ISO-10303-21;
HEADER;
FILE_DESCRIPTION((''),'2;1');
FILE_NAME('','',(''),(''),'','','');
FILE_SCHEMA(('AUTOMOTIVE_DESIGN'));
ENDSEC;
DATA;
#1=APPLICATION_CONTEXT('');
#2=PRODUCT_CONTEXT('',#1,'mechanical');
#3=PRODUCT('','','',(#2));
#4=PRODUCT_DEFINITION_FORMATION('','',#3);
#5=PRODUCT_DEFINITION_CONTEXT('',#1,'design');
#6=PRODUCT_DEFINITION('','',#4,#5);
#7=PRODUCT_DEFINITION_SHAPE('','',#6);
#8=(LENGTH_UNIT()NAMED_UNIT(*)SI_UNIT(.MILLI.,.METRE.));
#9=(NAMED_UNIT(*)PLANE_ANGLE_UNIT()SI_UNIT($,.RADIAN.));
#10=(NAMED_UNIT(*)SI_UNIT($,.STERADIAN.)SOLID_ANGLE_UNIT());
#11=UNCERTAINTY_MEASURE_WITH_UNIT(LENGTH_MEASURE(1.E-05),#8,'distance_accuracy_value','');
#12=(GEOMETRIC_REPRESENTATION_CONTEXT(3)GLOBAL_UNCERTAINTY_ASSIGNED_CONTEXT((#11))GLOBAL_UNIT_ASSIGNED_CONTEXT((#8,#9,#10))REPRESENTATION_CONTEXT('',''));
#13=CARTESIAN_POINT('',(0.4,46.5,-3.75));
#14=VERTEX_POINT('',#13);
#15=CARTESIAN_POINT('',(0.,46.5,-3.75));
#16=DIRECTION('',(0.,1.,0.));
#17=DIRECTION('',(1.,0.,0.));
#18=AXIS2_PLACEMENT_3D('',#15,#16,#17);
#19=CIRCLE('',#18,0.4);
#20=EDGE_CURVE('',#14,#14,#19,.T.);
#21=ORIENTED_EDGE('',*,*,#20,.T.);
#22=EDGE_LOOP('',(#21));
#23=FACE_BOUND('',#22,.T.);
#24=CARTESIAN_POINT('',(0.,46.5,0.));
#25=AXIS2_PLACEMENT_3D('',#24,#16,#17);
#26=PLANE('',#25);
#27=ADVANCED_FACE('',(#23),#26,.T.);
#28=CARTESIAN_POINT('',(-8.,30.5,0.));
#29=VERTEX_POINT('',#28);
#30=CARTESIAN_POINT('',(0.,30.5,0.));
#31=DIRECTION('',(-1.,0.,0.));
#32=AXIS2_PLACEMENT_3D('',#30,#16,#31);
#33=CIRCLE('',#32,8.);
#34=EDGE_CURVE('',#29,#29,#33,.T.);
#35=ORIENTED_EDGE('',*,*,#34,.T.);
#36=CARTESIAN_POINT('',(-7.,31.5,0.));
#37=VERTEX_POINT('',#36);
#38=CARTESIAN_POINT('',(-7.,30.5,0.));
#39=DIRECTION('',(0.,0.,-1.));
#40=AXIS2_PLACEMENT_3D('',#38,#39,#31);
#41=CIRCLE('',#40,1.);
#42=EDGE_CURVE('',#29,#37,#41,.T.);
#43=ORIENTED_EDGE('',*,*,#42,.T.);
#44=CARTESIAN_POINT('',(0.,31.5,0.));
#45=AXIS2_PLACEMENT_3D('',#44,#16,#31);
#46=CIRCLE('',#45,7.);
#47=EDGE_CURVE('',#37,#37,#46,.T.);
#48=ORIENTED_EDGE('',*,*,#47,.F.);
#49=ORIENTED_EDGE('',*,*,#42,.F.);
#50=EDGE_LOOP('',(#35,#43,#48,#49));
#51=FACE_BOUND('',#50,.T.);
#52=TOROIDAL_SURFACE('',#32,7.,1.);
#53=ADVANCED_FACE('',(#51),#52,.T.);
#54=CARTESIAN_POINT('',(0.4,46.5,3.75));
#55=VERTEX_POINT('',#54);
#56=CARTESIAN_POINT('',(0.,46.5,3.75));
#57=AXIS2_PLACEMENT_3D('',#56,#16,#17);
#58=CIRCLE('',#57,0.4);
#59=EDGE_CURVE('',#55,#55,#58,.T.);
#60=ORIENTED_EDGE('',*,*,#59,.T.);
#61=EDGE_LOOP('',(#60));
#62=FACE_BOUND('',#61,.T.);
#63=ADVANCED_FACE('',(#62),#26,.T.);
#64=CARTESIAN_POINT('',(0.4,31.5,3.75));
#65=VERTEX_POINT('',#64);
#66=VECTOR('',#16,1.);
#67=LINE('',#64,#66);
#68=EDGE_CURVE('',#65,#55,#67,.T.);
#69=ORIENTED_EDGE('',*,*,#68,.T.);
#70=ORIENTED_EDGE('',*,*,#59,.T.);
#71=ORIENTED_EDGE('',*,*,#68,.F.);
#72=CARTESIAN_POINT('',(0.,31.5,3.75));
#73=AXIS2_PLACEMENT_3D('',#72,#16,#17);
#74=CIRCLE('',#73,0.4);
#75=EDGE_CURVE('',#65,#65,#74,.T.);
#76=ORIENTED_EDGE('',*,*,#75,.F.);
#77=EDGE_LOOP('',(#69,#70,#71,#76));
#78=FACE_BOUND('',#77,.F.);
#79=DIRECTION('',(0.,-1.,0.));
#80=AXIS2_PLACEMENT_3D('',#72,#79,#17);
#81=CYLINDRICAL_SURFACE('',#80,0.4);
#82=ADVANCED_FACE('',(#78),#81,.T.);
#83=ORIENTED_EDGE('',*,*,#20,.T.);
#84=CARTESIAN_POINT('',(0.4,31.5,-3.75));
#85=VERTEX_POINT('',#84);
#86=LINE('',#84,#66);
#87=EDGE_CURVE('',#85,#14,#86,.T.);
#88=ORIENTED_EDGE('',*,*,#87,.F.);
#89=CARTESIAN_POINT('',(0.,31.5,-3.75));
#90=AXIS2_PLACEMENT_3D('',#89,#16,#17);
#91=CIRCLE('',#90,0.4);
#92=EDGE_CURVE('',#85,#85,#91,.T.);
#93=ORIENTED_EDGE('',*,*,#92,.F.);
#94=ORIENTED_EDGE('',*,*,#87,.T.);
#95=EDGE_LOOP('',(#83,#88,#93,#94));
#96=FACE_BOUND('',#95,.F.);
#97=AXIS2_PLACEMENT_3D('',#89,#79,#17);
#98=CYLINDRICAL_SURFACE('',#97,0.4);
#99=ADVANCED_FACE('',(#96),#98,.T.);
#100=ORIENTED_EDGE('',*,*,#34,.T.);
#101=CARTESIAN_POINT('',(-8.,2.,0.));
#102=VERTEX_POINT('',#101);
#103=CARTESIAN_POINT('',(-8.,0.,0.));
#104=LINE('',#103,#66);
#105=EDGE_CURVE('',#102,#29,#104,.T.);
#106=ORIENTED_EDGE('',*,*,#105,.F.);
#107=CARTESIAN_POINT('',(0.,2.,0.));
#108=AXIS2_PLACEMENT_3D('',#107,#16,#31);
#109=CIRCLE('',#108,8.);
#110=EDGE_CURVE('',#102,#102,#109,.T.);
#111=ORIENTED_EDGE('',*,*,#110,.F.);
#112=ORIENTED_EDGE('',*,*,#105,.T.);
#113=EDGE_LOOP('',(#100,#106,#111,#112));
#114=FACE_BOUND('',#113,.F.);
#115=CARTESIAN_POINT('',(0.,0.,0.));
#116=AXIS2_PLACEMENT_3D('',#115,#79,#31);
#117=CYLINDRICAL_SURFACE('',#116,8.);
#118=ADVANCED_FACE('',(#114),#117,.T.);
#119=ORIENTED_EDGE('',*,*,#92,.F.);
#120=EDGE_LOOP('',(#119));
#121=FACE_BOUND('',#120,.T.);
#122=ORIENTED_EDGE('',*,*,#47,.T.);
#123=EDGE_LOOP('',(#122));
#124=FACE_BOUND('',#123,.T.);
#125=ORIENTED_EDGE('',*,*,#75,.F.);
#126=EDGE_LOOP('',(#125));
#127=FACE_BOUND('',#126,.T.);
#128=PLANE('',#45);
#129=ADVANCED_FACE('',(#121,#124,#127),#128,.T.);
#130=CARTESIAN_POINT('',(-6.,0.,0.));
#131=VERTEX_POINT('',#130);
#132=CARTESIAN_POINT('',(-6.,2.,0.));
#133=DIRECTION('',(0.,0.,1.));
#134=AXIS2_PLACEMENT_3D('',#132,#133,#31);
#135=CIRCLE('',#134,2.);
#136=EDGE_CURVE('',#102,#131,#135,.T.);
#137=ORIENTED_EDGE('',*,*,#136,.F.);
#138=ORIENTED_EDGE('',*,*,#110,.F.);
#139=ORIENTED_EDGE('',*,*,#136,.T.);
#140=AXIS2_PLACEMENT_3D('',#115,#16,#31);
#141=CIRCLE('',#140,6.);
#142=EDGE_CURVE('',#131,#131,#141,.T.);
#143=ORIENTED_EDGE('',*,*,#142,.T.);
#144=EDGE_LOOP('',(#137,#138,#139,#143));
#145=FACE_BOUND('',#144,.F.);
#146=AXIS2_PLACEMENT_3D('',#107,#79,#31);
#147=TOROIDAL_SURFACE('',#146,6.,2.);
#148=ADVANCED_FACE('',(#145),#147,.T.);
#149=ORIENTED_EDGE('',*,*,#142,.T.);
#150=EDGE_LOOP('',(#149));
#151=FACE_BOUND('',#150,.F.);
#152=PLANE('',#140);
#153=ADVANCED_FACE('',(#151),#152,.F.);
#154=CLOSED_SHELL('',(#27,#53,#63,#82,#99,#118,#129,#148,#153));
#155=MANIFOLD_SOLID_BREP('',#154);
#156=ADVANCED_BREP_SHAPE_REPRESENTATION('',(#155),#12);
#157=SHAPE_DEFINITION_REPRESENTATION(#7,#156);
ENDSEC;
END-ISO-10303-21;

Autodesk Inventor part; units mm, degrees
ref_plane "YZ Plane" through (0, 0, 0) normal (1, 0, 0) x (0, 1, 0)
ref_plane "XZ Plane" through (0, 0, 0) normal (0, 1, 0) x (-1, 0, 0)
ref_plane "XY Plane" through (0, 0, 0) normal (0, 0, 1) x (1, 0, 0)
sketch "Sketch1" plane through (0, 0, 0) normal (0, 1, 0) x (-1, 0, 0)
  circle A0 centre (0, 0) radius 8
  dimension "d0" = 16
extrude "Extrusion1" add sketch "Sketch1" along normal blind 31.5
sketch "Sketch2" plane through (0, 31.5, 0) normal (0, 1, 0) x (1, 0, 0)
  circle A0 centre (0, 0) radius 8 projected
  circle A1 centre (0, 3.75) radius 0.4
  circle A2 centre (0, -3.75) radius 0.4
  dimension "d3" = 0.8
  dimension "d4" = 0.8
  dimension "d5" = 3.75
  dimension "d6" = 3.75
extrude "Extrusion2" add sketch "Sketch2" along normal blind 15 contours A1 | A2
fillet "Fillet1" radius 2 1 edges at (8, 0, 0)
fillet "Fillet2" radius 1 1 edges at (8, 31.5, 0)
properties part number "Capacitor"
